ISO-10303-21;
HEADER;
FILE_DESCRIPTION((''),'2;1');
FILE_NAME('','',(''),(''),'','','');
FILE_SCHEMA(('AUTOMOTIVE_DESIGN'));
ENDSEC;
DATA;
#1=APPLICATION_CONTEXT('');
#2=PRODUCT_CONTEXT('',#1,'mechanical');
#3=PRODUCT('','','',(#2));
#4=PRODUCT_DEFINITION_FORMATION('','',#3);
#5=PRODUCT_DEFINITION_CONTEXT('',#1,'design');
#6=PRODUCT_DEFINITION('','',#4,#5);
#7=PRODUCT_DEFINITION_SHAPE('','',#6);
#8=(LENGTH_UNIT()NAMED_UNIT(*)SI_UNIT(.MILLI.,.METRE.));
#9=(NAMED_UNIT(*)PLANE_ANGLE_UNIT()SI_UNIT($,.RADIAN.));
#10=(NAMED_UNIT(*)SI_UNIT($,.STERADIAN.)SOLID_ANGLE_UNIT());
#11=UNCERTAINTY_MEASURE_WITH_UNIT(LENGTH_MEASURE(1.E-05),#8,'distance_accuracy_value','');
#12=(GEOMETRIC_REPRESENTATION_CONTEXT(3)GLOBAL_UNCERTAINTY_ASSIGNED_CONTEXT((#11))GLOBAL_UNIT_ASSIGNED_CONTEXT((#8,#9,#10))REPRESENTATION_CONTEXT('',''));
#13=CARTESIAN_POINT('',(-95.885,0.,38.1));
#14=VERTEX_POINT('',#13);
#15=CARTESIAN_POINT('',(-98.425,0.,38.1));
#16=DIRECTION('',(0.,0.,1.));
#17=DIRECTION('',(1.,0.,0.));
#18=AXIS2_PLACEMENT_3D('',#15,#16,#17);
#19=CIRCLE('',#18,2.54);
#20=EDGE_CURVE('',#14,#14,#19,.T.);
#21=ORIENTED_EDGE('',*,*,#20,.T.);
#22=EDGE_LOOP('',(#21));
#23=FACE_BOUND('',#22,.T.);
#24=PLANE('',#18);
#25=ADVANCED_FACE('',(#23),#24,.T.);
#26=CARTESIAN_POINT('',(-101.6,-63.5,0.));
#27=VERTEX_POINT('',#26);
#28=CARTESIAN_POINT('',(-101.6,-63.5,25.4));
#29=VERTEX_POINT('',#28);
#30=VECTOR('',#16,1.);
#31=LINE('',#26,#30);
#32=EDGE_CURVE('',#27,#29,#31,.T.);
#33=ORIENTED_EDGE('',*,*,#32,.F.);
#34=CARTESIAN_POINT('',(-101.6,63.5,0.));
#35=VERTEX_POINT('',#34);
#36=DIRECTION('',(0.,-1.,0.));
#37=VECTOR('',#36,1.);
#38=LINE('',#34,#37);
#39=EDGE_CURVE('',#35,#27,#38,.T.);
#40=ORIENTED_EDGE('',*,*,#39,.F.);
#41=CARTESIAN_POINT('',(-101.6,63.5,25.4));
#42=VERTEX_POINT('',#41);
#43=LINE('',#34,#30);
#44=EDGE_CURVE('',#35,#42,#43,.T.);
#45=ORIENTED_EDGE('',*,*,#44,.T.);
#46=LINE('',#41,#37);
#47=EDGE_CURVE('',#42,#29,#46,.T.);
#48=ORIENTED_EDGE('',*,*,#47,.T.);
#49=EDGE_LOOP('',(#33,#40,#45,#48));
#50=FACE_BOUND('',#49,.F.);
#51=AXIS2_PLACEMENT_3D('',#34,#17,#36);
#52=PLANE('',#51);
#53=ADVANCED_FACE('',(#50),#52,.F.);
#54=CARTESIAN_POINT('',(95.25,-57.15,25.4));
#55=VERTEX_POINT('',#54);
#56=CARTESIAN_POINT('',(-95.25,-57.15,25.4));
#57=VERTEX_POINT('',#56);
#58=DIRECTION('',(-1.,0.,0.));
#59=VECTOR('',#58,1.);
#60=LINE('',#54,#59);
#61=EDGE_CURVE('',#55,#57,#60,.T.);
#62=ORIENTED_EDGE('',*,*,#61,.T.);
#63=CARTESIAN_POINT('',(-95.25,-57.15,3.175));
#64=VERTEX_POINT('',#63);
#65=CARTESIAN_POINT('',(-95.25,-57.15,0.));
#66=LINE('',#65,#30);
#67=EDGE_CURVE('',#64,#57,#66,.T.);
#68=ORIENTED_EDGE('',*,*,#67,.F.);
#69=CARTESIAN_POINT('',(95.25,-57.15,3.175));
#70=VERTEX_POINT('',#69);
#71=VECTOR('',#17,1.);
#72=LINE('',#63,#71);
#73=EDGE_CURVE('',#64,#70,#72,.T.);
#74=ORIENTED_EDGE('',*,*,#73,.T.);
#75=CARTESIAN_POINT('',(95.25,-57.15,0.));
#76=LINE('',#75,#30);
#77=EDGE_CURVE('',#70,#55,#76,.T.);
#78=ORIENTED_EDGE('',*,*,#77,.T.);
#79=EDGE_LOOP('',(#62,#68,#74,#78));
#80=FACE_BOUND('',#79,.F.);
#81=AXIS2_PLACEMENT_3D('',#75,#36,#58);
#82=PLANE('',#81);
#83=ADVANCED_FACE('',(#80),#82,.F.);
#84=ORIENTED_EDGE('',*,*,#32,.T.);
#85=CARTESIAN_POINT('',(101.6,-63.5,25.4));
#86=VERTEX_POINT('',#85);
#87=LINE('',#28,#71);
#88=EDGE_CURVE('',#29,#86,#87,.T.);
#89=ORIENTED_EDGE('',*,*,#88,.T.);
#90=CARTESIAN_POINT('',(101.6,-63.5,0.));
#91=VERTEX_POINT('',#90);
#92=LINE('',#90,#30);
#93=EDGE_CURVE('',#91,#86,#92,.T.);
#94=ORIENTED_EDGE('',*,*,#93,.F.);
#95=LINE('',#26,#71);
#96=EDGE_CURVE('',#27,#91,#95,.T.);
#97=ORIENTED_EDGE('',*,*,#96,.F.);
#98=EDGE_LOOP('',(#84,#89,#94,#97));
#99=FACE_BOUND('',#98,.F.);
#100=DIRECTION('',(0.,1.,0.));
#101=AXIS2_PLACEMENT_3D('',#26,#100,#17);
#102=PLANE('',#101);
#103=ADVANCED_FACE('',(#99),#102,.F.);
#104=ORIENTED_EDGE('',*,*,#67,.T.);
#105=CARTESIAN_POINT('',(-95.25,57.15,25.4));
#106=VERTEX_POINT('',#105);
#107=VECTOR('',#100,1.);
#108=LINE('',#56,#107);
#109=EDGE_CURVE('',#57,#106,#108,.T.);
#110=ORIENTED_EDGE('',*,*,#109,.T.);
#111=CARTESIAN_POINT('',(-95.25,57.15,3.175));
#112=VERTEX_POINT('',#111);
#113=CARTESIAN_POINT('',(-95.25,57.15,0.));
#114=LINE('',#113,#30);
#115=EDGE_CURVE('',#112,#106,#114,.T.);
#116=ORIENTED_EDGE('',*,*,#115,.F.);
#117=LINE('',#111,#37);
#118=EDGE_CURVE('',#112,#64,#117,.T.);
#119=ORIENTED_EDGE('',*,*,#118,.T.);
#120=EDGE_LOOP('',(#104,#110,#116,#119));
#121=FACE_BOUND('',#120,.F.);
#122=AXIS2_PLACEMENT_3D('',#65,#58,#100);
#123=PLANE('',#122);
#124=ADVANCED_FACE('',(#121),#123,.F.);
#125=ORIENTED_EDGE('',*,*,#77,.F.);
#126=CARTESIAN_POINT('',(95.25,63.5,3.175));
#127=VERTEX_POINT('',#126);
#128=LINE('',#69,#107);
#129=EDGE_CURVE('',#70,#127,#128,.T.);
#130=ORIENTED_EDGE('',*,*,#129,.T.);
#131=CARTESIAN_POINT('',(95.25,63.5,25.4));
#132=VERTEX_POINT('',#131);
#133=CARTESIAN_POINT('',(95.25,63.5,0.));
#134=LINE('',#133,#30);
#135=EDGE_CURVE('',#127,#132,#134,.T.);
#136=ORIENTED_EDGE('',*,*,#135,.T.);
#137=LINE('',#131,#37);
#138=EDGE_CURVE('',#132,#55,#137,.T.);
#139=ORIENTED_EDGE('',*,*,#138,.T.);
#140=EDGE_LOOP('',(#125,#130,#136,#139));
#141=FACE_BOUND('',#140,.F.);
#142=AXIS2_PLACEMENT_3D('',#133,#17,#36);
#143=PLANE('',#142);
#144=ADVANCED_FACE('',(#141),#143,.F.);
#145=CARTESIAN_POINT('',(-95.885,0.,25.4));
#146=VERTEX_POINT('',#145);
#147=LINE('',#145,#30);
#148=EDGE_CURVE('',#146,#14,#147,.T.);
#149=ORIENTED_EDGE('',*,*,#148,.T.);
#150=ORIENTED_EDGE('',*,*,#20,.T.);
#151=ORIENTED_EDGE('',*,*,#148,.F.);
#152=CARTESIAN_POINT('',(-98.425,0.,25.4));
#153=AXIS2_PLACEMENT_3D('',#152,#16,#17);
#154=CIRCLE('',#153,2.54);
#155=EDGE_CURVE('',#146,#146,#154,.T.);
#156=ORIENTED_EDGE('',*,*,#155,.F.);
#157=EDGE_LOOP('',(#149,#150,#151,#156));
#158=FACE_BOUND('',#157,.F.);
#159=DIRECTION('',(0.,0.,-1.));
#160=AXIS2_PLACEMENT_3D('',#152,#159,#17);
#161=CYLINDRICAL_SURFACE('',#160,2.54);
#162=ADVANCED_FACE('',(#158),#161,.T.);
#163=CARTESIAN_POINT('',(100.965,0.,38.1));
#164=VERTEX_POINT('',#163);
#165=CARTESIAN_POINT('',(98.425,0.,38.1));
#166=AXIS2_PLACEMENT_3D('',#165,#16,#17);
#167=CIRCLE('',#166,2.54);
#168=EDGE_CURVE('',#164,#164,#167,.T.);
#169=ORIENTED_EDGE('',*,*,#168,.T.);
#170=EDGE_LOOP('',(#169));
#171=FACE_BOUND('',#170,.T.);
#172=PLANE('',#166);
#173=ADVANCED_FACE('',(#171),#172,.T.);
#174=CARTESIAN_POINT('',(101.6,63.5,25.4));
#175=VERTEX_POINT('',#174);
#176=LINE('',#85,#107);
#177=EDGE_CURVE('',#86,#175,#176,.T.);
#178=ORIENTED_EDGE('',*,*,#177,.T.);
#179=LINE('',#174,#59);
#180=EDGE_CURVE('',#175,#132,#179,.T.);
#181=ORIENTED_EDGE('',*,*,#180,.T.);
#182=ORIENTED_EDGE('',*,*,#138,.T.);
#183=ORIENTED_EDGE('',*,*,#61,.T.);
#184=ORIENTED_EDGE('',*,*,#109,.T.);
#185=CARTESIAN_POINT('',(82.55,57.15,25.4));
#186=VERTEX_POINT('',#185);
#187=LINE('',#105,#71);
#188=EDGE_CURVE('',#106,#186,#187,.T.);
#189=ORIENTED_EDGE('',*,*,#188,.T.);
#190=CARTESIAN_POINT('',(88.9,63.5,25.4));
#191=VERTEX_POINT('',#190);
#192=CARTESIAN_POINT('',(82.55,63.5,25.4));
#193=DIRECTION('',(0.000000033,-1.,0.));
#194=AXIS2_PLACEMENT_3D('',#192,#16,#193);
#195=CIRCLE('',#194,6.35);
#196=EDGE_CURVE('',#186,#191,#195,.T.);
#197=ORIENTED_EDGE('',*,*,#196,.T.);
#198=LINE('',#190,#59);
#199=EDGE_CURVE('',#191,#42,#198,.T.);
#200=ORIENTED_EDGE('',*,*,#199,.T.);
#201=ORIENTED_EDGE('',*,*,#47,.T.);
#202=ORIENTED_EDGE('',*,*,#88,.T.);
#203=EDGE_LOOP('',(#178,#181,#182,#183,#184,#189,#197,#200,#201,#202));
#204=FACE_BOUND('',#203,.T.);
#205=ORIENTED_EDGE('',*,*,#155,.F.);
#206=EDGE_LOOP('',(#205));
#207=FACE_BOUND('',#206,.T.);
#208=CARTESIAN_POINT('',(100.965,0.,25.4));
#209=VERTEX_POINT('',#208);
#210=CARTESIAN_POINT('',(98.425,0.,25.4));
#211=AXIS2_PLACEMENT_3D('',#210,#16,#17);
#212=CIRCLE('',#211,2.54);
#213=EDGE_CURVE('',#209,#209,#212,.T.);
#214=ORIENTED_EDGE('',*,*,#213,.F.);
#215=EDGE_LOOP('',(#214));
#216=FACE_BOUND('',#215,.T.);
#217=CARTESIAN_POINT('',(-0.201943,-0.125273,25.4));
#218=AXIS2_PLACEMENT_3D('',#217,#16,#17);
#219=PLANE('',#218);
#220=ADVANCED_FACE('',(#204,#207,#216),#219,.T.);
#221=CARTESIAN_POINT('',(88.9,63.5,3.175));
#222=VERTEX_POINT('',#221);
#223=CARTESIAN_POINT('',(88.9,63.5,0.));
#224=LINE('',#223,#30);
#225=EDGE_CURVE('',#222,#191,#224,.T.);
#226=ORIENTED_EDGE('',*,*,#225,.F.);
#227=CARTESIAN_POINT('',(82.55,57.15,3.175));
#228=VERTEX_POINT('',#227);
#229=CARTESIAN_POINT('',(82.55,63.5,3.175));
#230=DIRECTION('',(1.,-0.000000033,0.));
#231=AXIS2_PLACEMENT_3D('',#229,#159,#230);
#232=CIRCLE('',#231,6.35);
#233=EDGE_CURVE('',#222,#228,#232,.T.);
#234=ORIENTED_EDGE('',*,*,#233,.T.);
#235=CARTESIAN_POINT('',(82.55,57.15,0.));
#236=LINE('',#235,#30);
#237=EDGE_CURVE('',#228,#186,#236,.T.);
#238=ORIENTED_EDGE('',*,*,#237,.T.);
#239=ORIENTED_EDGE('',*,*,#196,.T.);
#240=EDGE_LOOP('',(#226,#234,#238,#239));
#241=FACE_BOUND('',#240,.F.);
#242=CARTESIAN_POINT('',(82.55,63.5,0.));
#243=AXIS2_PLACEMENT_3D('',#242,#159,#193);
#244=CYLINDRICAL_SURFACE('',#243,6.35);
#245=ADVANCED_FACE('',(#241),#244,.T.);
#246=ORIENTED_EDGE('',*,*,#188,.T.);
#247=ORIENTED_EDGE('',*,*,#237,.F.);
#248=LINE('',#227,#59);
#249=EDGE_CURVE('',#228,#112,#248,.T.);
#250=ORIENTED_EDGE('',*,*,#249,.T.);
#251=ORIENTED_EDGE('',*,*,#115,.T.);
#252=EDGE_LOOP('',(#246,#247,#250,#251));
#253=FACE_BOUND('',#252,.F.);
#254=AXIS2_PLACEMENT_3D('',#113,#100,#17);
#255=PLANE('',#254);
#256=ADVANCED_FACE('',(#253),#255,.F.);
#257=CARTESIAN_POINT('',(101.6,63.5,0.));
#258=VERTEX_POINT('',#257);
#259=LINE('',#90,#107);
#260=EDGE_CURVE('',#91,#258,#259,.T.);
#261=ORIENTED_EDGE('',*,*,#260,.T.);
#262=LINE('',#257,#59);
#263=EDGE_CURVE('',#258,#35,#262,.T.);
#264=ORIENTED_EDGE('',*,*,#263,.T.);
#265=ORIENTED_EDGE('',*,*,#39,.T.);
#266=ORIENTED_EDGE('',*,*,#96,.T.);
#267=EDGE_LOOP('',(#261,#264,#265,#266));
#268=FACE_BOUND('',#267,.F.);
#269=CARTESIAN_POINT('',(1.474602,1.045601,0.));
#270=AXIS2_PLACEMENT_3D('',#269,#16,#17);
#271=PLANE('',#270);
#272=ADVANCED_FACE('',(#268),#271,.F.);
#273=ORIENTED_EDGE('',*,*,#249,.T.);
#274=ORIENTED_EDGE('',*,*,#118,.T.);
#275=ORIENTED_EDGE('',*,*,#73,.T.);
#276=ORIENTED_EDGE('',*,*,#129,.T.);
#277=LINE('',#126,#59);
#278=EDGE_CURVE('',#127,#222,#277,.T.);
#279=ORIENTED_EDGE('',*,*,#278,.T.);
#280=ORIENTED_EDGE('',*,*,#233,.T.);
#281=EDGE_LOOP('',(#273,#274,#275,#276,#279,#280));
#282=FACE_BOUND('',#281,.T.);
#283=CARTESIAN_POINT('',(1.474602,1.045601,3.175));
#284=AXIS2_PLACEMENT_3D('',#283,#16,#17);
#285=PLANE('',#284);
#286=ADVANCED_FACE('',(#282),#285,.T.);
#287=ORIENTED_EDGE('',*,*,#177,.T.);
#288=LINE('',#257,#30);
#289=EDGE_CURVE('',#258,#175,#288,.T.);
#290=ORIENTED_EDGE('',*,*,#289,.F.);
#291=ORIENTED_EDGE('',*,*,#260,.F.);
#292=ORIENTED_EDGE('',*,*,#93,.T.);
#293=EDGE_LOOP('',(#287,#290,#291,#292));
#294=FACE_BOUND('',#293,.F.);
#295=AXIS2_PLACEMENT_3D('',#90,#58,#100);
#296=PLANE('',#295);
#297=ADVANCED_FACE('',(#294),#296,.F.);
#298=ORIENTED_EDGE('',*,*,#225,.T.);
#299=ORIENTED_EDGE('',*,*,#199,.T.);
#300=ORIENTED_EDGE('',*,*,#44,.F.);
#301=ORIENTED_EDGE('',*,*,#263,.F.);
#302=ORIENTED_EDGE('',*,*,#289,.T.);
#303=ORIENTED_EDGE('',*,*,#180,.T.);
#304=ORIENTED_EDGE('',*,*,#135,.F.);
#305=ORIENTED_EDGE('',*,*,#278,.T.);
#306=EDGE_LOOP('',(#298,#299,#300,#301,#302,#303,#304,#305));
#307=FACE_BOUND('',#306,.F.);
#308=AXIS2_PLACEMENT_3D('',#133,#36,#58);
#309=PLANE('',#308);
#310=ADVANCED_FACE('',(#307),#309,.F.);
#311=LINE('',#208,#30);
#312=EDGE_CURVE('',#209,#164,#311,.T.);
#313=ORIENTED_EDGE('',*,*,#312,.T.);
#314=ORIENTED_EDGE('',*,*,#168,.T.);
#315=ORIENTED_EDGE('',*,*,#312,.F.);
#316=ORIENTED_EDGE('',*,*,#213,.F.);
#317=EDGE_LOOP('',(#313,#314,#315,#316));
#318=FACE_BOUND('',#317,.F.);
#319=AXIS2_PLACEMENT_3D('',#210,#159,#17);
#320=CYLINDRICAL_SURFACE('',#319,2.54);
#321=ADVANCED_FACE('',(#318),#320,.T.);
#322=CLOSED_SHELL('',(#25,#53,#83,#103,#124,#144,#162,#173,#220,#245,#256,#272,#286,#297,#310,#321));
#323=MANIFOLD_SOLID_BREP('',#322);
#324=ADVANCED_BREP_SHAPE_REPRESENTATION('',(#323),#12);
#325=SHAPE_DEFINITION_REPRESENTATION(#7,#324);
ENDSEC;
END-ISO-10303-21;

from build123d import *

# Parameters (mm, degrees)
F1_DEPTH = 25.4
F2_DEPTH = 3.175
F3_R     = 2.54
F4_DEPTH = 12.7


with BuildPart() as f1:
    # F0 (on Top) → F1 (new body)
    with BuildSketch(Plane.XY):
        with BuildLine():
            Line((88.9, 63.5), (-101.6, 63.5))
            Line((-101.6, 63.5), (-101.6, -63.5))
            Line((-101.6, -63.5), (101.6, -63.5))
            Line((101.6, -63.5), (101.6, 63.5))
            Line((101.6, 63.5), (95.25, 63.5))
            Line((95.25, 63.5), (95.25, 57.15))
            Line((95.25, 57.15), (95.25, -57.15))
            Line((95.25, -57.15), (-95.25, -57.15))
            Line((-95.25, -57.15), (-95.25, 57.15))
            Line((-95.25, 57.15), (82.55, 57.15))
            ThreePointArc((82.55, 57.15), (87.040128, 59.009872), (88.9, 63.5))
        make_face()
    extrude(amount=F1_DEPTH)

    # F0 (on Top) → F2 (join)
    with BuildSketch(Plane.XY):
        with BuildLine():
            Line((95.25, 63.5), (88.9, 63.5))
            ThreePointArc((88.9, 63.5), (87.040128, 59.009872), (82.55, 57.15))
            Line((82.55, 57.15), (-95.25, 57.15))
            Line((-95.25, 57.15), (-95.25, -57.15))
            Line((-95.25, -57.15), (95.25, -57.15))
            Line((95.25, -57.15), (95.25, 57.15))
            Line((95.25, 57.15), (95.25, 63.5))
        make_face()
    extrude(amount=F2_DEPTH)

    # F3 (on face) → F4 (join)
    with BuildSketch(Plane.XY.offset(25.4)):
        with Locations((-98.425, 0)):
            Circle(F3_R)
        with Locations((98.425, 0)):
            Circle(F3_R)
    extrude(amount=F4_DEPTH)


solid = f1.part
